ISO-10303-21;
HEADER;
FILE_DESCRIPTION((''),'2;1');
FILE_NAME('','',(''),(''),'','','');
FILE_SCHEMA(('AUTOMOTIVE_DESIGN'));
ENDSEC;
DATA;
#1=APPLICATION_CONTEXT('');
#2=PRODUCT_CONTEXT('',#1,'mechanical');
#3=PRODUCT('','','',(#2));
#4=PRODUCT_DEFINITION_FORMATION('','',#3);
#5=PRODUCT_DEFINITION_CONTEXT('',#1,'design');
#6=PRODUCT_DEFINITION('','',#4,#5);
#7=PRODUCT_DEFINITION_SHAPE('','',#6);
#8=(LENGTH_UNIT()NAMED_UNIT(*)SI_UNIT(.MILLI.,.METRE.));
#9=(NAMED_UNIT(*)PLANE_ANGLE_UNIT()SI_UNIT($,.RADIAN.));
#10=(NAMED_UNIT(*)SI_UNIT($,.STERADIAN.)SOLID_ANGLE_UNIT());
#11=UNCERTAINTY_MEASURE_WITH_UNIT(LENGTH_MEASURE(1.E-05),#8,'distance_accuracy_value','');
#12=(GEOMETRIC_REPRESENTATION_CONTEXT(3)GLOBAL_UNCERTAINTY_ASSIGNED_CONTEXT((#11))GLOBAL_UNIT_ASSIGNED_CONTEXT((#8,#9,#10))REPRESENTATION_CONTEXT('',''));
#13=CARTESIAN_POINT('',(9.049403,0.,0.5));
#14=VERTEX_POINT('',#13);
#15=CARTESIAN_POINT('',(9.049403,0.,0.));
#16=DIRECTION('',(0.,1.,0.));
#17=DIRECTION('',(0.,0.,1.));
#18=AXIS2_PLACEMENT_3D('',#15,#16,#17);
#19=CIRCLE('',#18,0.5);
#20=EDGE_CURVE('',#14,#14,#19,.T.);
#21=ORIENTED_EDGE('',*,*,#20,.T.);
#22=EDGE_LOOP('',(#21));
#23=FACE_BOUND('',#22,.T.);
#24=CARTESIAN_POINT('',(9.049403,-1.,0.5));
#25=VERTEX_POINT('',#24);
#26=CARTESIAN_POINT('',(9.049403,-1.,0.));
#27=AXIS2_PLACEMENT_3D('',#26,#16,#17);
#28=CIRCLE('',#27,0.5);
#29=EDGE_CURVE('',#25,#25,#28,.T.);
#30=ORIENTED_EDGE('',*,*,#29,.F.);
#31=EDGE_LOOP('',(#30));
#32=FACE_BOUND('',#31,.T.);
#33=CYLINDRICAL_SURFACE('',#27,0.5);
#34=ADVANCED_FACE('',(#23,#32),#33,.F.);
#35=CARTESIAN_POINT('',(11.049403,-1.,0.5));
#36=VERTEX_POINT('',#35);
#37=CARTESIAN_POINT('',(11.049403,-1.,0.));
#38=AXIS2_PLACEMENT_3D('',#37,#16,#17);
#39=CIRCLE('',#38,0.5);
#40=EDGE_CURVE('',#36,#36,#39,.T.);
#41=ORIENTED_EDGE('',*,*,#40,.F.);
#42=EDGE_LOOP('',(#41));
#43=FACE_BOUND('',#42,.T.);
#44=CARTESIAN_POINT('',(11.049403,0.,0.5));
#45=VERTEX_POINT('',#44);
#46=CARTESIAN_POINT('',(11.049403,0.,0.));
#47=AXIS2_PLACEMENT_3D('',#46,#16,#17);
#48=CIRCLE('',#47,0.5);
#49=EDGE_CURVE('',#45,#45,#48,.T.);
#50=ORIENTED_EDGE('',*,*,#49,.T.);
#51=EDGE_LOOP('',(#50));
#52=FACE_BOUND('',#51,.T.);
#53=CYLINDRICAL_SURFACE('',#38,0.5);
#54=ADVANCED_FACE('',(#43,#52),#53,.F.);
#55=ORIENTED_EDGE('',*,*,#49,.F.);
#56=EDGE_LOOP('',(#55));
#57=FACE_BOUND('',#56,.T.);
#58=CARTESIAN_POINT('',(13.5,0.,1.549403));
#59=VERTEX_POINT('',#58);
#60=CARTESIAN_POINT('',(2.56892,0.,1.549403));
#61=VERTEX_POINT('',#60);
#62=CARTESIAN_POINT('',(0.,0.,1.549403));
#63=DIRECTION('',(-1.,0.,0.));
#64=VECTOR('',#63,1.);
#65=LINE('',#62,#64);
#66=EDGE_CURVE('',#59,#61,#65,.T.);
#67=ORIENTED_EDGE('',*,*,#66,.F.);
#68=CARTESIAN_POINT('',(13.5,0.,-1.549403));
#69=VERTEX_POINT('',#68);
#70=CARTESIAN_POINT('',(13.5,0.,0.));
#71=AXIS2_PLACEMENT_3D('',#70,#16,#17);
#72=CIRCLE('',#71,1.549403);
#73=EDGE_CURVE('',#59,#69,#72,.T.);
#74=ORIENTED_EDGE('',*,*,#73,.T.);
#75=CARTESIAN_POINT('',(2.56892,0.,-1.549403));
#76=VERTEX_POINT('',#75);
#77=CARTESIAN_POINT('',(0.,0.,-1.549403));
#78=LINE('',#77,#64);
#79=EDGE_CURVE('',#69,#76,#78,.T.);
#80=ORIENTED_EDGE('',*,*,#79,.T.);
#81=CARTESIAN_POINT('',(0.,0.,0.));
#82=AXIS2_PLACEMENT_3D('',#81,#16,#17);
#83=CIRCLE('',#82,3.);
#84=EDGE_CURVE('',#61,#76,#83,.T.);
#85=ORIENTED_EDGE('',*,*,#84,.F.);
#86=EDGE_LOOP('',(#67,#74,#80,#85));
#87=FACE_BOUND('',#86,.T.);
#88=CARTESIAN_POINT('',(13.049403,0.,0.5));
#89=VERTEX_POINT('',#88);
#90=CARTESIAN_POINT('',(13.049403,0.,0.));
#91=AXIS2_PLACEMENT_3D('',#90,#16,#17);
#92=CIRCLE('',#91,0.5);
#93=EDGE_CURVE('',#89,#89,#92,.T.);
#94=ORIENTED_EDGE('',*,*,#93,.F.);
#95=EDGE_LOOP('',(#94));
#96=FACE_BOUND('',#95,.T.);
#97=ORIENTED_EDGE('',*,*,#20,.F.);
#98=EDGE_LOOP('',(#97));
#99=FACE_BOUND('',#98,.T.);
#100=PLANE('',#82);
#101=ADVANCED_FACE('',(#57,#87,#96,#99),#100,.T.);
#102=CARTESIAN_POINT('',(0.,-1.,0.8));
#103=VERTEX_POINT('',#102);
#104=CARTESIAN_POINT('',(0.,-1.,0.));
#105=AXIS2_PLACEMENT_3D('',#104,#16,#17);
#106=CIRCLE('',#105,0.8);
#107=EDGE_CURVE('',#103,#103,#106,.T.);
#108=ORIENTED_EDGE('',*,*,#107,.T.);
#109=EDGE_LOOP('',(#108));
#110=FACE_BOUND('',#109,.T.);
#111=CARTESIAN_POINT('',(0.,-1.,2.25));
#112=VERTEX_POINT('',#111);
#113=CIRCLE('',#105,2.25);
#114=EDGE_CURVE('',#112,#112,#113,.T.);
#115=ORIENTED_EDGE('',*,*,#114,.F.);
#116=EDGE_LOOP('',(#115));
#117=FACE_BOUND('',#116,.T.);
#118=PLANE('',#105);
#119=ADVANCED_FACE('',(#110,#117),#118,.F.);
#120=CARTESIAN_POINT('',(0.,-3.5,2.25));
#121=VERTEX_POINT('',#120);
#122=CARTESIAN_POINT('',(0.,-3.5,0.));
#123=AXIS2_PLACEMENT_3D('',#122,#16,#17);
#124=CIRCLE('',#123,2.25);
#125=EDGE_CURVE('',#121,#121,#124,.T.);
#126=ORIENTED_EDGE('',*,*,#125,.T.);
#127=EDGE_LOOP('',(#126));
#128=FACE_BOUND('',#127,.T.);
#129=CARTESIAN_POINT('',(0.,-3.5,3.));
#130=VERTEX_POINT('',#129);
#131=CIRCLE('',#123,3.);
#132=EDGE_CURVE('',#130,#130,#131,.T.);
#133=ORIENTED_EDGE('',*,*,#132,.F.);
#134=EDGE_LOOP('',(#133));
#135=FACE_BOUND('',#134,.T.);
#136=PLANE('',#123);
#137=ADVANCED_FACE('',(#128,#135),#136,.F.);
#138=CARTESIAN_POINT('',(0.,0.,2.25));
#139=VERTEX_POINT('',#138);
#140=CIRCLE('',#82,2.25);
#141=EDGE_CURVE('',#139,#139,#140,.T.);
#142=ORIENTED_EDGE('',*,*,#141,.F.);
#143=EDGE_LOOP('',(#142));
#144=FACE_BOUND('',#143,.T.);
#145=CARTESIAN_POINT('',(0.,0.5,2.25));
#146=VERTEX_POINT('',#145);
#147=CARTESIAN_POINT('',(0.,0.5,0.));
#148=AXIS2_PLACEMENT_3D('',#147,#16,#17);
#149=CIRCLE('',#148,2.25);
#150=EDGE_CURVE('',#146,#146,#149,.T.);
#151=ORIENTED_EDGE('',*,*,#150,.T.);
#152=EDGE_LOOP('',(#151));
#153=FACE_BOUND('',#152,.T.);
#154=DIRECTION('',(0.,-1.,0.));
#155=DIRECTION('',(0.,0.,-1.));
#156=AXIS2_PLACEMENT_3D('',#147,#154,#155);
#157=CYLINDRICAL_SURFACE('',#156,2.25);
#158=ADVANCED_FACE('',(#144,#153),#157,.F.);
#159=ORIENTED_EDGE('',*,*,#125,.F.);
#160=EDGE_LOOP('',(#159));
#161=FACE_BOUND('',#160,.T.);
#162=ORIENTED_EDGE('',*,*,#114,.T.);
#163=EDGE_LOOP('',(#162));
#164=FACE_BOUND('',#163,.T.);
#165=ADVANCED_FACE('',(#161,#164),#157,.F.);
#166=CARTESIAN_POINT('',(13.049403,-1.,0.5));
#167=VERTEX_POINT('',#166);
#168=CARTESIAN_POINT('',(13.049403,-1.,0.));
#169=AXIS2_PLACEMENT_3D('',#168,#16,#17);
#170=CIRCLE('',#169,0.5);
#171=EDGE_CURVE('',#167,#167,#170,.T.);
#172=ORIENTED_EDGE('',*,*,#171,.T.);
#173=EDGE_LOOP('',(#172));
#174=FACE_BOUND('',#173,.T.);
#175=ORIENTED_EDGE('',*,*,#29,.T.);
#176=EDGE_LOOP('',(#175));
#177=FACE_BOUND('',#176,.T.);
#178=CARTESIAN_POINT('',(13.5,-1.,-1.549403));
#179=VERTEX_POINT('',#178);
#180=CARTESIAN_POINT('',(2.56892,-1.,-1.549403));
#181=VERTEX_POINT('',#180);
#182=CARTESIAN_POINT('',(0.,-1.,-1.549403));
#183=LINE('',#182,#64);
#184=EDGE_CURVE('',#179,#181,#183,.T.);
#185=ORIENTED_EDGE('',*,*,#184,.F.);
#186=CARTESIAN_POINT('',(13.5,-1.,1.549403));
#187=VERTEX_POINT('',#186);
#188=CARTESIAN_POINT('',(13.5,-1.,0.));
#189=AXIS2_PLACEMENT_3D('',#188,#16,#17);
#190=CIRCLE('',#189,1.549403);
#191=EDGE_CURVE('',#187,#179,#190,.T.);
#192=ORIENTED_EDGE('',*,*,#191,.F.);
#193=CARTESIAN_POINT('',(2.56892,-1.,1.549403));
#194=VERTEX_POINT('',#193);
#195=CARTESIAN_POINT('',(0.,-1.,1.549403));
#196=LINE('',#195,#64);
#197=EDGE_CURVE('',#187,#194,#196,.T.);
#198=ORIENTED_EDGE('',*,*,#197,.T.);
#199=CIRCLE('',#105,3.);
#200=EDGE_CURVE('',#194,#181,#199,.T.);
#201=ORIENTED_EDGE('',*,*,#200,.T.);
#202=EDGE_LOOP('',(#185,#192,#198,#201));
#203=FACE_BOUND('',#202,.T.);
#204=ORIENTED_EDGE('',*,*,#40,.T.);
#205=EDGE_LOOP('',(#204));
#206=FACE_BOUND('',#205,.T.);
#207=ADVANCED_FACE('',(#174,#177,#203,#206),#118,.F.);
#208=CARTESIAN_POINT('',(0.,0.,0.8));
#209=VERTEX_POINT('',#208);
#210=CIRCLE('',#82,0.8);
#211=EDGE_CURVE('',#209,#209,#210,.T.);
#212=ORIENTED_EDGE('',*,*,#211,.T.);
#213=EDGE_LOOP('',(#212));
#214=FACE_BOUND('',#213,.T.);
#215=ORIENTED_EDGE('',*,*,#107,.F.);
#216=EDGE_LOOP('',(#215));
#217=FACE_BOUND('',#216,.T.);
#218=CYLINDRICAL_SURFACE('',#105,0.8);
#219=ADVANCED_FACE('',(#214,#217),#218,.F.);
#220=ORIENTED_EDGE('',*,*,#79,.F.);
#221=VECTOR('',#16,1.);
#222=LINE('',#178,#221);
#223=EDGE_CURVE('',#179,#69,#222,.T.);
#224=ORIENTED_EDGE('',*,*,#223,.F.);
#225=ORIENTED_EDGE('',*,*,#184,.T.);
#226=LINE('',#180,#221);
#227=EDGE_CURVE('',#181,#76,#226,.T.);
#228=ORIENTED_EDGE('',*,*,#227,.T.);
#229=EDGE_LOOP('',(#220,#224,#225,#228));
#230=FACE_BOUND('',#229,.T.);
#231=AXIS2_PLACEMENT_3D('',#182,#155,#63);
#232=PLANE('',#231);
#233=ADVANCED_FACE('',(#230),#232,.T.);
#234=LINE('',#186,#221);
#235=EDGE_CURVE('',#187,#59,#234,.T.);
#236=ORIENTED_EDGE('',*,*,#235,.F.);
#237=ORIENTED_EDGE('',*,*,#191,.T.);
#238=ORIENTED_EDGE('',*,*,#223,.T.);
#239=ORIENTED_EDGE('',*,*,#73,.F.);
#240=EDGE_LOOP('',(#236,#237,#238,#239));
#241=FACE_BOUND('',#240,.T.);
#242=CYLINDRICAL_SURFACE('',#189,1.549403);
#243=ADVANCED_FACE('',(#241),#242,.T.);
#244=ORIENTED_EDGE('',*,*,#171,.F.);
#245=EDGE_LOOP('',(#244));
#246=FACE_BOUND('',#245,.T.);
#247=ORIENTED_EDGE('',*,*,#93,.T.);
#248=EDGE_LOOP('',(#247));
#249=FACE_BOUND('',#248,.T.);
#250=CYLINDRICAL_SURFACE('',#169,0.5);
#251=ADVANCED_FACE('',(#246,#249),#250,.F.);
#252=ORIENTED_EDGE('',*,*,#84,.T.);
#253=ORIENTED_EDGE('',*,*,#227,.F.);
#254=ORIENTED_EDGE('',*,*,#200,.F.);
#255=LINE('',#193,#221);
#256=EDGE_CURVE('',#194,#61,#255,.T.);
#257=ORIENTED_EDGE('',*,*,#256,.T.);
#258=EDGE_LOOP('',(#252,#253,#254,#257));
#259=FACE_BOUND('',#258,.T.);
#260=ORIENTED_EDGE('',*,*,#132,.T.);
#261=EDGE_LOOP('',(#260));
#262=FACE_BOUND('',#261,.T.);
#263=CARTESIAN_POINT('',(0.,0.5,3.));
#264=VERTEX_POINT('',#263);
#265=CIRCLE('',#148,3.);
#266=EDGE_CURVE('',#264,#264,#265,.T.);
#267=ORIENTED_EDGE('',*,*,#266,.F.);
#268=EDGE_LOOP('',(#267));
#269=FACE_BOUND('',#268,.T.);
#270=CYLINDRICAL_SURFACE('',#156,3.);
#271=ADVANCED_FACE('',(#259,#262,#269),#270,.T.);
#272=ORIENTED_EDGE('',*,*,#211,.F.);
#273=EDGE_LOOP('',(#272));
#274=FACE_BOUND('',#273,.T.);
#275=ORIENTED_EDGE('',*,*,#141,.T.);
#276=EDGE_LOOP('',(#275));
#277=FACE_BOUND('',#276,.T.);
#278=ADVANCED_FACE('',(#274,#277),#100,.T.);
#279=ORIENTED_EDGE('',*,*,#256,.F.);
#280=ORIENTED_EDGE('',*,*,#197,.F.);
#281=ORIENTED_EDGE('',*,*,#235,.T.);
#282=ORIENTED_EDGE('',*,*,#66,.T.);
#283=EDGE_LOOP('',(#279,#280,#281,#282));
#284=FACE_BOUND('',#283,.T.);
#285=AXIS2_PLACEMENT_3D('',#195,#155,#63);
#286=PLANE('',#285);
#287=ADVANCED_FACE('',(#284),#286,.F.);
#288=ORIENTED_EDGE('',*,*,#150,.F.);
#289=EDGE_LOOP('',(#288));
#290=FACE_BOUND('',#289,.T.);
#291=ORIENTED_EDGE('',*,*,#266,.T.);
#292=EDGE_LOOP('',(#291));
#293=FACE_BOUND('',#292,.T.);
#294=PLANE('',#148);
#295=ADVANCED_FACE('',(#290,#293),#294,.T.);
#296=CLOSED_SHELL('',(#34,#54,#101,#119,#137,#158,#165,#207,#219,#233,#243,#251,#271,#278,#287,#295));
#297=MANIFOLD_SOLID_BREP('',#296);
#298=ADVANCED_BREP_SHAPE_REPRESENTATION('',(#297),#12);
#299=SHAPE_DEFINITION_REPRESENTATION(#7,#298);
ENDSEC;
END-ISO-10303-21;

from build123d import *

# Parameters (mm, degrees)
SKETCH_1_R      = 2.25
EXTRUDE_1_DEPTH = 0.5
EXTRUDE_START   = -3.5
SKETCH_1_7_R    = 2.25
EXTRUDE_2_DEPTH = 3.5
EXTRUDE_START_2 = -1
SKETCH_1_8_R    = 0.5
SKETCH_1_8_R_2  = 2.25
SKETCH_1_8_R_3  = 0.8
EXTRUDE_3_DEPTH = 1


with BuildPart() as part:
    # 草图1 → 凸台-拉伸1 (new body)
    with BuildSketch(Plane(origin=(0, 0, 0), x_dir=(1, 0, 0), z_dir=(0, 1, 0))):
        with BuildLine():
            ThreePointArc((3, 0), (2.890221403, 0.804127004), (2.568919841, 1.549403386))
            ThreePointArc((2.568919841, 1.549403386), (-3, 0), (2.568919841, -1.549403386))
            ThreePointArc((2.568919841, -1.549403386), (2.890221403, -0.804127004), (3, 0))
        make_face()
        Circle(SKETCH_1_R, mode=Mode.SUBTRACT)
    extrude(amount=EXTRUDE_1_DEPTH)

    # 草图1<7> → 凸台-拉伸2 (add)
    with BuildSketch(Plane(origin=(0, 0, 0), x_dir=(1, 0, 0), z_dir=(0, 1, 0)).offset(EXTRUDE_START)):
        with BuildLine():
            ThreePointArc((3, 0), (2.890221403, 0.804127004), (2.568919841, 1.549403386))
            ThreePointArc((2.568919841, 1.549403386), (-3, 0), (2.568919841, -1.549403386))
            ThreePointArc((2.568919841, -1.549403386), (2.890221403, -0.804127004), (3, 0))
        make_face()
        Circle(SKETCH_1_7_R, mode=Mode.SUBTRACT)
    extrude(amount=EXTRUDE_2_DEPTH)

    # 草图1<8> → 凸台-拉伸3 (add)
    # profile 1 of 2: a face of its own
    with BuildSketch(Plane(origin=(0, 0, 0), x_dir=(1, 0, 0), z_dir=(0, 1, 0)).offset(EXTRUDE_START_2)):
        with BuildLine():
            ThreePointArc((13.5, -1.549403386), (15.049403386, 0), (13.5, 1.549403386))
            Line((13.5, 1.549403386), (2.568919841, 1.549403386))
            ThreePointArc((2.568919841, 1.549403386), (3, 0), (2.568919841, -1.549403386))
            Line((2.568919841, -1.549403386), (13.5, -1.549403386))
        make_face()
        with Locations((9.049403386, 0)):
            Circle(SKETCH_1_8_R, mode=Mode.SUBTRACT)
        with Locations((11.049403386, 0)):
            Circle(SKETCH_1_8_R, mode=Mode.SUBTRACT)
        with Locations((13.049403386, 0)):
            Circle(SKETCH_1_8_R, mode=Mode.SUBTRACT)
    # profile 2 of 2: a face of its own
    with BuildSketch(Plane(origin=(0, 0, 0), x_dir=(1, 0, 0), z_dir=(0, 1, 0)).offset(EXTRUDE_START_2)):
        Circle(SKETCH_1_8_R_2)
        Circle(SKETCH_1_8_R_3, mode=Mode.SUBTRACT)
    extrude(amount=EXTRUDE_3_DEPTH)


solid = part.part
